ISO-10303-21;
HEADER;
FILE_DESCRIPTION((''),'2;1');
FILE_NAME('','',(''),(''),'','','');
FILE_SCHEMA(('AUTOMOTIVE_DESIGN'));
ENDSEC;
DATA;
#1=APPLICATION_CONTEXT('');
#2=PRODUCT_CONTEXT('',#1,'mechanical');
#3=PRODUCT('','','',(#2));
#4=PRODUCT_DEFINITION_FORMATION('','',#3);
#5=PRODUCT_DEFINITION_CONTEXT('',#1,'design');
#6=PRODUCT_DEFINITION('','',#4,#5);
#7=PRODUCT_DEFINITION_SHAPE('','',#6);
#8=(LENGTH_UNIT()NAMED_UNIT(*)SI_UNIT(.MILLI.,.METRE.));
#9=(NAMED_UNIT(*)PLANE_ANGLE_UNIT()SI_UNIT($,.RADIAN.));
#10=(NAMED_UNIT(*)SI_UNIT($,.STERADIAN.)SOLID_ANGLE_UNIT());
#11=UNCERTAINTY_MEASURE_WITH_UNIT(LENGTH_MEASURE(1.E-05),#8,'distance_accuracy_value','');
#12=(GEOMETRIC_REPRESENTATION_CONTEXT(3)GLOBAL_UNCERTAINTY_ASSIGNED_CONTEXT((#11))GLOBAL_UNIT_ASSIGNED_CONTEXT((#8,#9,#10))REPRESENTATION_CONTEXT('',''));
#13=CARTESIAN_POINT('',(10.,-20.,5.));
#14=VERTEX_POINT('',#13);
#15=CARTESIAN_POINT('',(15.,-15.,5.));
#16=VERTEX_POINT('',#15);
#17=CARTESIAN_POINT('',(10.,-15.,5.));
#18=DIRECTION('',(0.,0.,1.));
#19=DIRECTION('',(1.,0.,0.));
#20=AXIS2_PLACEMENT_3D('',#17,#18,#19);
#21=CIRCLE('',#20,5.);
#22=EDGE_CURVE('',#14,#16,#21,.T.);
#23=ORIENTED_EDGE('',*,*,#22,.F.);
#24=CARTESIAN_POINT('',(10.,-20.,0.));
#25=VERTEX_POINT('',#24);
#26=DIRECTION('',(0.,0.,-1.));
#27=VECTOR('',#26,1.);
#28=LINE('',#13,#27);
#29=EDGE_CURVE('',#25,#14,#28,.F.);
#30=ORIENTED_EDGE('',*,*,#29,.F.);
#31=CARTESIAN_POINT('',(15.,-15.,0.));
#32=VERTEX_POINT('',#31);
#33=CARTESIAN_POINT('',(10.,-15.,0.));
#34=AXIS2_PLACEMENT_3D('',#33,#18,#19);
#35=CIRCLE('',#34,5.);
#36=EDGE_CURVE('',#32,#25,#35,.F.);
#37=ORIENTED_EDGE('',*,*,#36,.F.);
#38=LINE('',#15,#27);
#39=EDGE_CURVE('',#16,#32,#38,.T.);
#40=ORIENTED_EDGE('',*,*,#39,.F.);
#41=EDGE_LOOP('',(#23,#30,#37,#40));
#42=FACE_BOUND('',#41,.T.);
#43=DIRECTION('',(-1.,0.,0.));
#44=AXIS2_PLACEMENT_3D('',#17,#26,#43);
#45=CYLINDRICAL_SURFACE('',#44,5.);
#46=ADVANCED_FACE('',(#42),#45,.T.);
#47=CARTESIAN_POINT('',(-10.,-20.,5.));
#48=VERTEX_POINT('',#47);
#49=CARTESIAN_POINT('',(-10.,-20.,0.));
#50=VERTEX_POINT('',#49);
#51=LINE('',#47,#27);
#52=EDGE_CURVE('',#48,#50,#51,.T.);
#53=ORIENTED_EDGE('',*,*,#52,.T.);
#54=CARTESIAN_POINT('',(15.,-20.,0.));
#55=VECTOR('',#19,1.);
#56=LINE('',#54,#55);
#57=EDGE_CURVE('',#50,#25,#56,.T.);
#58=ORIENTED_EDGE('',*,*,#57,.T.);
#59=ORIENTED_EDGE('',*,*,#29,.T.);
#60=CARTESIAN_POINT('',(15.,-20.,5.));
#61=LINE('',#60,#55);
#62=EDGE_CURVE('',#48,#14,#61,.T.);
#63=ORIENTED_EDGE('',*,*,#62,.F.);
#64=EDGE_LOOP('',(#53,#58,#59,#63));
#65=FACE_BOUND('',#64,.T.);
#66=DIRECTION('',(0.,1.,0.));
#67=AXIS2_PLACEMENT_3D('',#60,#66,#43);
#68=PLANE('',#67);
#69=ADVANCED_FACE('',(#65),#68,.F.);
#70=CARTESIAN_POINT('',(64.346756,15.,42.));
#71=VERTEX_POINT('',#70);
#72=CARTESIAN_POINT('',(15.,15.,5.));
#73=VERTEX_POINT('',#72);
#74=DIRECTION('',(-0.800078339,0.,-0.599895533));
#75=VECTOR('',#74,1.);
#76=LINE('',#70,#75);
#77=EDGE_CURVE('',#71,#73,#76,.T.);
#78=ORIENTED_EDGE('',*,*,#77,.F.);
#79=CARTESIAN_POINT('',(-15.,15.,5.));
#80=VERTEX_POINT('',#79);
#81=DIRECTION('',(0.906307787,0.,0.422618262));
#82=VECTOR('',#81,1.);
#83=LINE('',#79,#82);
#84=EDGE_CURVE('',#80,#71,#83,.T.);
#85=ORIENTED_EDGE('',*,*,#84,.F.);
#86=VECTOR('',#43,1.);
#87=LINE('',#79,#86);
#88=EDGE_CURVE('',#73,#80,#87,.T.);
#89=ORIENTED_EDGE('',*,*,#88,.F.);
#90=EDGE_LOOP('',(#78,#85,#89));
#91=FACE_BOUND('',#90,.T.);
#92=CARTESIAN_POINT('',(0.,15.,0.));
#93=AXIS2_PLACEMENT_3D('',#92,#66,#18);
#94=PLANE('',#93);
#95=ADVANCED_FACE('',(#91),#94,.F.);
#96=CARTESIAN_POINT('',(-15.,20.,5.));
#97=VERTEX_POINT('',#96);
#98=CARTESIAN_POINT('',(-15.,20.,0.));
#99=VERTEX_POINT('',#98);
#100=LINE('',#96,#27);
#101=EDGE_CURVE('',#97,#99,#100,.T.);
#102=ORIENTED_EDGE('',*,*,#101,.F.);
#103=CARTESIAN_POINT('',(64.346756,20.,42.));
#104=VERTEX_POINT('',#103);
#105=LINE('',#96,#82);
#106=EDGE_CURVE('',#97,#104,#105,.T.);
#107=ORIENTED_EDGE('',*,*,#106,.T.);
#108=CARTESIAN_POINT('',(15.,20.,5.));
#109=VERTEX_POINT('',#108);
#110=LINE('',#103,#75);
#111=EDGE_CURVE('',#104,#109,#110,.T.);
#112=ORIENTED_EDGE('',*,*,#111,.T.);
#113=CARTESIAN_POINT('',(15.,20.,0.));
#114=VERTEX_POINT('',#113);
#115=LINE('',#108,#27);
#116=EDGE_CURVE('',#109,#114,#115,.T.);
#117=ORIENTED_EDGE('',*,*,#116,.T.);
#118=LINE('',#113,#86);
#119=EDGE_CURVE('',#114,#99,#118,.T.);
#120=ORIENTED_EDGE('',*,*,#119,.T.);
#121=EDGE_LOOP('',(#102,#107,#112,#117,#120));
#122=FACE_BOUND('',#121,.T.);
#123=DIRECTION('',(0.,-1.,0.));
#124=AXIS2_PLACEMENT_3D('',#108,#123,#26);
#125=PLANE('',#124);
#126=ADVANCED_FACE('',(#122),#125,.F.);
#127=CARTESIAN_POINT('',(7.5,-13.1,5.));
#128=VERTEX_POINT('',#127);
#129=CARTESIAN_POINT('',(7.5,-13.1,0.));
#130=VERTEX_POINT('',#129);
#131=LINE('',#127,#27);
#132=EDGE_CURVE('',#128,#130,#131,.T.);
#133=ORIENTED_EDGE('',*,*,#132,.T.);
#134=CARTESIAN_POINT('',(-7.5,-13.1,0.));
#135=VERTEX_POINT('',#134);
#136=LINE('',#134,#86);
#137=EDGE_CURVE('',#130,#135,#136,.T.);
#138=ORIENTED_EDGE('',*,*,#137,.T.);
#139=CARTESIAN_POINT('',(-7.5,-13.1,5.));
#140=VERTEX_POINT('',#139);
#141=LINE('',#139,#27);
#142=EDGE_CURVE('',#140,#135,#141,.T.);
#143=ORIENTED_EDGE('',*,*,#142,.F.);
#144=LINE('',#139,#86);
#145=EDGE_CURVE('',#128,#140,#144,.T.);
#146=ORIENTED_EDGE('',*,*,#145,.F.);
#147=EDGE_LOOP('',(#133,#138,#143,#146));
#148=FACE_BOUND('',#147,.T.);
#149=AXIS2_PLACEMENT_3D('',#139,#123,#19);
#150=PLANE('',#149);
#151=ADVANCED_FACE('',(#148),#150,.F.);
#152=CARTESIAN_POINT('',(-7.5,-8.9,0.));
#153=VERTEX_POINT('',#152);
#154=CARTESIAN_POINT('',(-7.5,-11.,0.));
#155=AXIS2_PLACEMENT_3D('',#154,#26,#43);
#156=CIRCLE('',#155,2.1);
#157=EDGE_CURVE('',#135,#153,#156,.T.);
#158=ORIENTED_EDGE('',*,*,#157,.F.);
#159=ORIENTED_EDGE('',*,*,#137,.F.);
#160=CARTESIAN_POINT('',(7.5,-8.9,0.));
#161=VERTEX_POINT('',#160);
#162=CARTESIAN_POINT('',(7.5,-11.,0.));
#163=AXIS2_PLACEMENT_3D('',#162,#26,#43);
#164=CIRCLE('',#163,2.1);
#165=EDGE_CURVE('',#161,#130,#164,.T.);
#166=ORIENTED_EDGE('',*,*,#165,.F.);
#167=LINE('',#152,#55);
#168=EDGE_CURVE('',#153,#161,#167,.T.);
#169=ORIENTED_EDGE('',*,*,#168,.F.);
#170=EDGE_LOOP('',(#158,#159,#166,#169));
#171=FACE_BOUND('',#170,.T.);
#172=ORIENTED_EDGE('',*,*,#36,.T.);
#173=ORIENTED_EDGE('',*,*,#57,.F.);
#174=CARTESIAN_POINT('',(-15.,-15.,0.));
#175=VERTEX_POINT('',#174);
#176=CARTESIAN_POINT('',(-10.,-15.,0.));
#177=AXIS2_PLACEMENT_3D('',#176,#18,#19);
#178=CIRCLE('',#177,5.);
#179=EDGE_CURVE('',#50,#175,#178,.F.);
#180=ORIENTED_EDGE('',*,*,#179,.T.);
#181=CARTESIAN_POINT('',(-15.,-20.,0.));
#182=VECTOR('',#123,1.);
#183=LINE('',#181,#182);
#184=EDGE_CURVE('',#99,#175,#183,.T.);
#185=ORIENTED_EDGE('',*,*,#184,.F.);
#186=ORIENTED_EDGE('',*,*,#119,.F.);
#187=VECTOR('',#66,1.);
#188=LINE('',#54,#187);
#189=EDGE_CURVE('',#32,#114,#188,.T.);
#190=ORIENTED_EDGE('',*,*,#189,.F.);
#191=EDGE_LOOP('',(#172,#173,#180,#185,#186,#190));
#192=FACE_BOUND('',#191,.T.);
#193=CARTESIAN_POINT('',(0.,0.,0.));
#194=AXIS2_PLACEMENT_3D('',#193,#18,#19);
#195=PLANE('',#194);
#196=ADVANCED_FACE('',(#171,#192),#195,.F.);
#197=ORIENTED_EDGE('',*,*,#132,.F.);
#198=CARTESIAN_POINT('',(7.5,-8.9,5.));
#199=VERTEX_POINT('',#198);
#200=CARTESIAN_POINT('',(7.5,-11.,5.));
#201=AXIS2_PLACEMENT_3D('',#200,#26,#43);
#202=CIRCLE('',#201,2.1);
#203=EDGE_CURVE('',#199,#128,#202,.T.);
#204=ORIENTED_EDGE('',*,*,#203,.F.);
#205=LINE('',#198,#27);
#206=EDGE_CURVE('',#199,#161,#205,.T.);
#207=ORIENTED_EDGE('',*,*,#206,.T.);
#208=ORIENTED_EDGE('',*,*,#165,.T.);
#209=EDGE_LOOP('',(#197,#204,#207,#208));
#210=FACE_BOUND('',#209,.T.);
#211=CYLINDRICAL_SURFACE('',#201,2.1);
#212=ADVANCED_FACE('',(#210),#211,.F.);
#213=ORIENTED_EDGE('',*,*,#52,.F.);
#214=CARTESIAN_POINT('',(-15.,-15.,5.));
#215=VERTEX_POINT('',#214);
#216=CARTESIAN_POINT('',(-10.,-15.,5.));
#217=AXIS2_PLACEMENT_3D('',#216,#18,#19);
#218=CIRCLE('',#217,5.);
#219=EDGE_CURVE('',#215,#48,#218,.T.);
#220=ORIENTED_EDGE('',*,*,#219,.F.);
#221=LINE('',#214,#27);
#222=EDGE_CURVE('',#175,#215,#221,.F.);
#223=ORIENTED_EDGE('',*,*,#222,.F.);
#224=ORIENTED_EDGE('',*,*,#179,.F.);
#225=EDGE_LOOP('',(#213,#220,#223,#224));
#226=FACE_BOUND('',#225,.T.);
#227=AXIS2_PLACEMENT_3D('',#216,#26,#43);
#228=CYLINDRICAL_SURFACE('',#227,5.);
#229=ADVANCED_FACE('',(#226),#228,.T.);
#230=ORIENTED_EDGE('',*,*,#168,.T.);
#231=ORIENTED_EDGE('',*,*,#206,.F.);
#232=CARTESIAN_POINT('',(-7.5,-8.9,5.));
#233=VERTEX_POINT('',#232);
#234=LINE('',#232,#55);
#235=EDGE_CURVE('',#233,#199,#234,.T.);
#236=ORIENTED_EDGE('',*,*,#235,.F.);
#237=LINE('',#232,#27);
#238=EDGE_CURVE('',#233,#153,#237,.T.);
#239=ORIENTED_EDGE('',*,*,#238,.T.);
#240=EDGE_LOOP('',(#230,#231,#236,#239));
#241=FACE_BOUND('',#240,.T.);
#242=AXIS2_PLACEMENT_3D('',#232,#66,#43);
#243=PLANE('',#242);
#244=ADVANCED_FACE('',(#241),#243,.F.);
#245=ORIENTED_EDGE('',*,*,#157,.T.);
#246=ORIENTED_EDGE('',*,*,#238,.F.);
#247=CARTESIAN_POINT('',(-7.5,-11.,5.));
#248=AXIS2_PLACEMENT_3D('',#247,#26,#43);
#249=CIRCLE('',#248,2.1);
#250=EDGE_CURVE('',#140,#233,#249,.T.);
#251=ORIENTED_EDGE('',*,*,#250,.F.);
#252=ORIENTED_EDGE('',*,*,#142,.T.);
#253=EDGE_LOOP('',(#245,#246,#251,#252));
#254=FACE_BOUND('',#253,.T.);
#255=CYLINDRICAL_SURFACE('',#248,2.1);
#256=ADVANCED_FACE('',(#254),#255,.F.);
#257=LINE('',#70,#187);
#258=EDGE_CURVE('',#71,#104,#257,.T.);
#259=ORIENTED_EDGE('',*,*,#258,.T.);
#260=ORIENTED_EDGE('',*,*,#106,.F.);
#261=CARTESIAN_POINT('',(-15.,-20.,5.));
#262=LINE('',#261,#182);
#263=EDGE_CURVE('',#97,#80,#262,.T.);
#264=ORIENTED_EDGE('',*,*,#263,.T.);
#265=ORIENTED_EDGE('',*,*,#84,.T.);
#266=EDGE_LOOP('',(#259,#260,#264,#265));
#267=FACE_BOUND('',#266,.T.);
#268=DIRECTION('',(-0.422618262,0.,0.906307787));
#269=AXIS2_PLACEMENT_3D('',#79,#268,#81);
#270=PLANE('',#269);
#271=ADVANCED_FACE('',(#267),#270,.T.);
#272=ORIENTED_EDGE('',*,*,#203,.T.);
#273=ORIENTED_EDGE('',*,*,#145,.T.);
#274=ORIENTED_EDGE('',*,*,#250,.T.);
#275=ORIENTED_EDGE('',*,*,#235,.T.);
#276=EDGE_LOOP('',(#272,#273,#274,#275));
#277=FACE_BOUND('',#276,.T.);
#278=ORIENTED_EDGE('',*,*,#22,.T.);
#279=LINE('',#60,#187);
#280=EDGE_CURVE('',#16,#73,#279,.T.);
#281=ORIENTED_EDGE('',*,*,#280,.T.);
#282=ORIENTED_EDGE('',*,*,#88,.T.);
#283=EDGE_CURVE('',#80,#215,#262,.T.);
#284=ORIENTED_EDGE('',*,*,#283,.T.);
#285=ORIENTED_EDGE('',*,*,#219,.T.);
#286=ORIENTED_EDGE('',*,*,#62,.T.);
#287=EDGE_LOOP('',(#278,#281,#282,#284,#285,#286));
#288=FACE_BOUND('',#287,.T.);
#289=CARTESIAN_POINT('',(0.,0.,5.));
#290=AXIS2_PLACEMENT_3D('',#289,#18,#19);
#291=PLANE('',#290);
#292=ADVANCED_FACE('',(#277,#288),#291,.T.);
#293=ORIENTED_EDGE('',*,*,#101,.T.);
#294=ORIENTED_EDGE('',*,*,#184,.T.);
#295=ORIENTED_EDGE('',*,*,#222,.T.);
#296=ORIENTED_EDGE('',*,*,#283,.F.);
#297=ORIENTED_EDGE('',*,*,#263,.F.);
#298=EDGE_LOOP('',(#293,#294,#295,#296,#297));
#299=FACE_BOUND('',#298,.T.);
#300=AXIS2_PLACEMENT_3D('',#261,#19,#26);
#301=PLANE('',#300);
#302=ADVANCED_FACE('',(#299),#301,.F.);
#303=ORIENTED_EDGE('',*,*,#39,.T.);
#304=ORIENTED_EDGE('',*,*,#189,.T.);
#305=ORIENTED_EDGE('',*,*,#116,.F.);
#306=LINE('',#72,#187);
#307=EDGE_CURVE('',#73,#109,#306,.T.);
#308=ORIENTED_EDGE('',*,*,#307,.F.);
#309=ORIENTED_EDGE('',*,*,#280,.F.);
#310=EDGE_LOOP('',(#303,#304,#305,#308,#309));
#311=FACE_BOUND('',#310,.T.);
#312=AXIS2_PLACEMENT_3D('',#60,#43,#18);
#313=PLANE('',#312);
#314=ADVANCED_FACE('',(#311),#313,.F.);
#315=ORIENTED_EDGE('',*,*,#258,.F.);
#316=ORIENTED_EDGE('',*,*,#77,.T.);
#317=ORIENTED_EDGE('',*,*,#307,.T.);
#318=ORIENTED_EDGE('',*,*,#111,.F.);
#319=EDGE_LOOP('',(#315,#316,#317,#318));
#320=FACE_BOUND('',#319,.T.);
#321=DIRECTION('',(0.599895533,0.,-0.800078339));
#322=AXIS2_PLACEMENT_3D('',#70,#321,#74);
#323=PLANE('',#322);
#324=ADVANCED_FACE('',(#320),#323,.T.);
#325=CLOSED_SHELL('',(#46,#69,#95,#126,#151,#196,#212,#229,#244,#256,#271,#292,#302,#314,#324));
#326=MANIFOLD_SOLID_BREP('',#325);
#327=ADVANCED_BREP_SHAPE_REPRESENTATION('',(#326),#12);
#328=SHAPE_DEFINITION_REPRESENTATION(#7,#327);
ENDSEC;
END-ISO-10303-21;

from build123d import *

# Parameters (mm, degrees)
SKETCH1_W           = 30
SKETCH1_H           = 40
BOSS_EXTRUDE1_DEPTH = 5
BOSS_EXTRUDE2_DEPTH = 5
FILLET1_R           = 5
CUT_EXTRUDE1_DEPTH  = 5


with BuildPart() as part:
    # Sketch1 → Boss-Extrude1 (new body)
    with BuildSketch(Plane.XY):
        Rectangle(SKETCH1_W, SKETCH1_H)
    extrude(amount=BOSS_EXTRUDE1_DEPTH)

    # Sketch2 → Boss-Extrude2 (add)
    with BuildSketch(Plane(origin=(0, 20, 0), x_dir=(1, 0, 0), z_dir=(0, 1, 0))):
        Polygon((-15, -5), (64.346756059, -42), (15, -5), align=None)
    extrude(amount=-BOSS_EXTRUDE2_DEPTH)

    # Fillet1
    fillet1_edges = [part.edges().sort_by_distance(p)[0] for p in [
        (15, -20, 2.5),
        (-15, -20, 2.5),
    ]]
    fillet(fillet1_edges, radius=FILLET1_R)

    # Sketch3 → Cut-Extrude1 (cut)
    with BuildSketch(Plane(origin=(0, 0, 0), x_dir=(-1, 0, 0), z_dir=(0, 0, -1))):
        with BuildLine():
            Line((7.5, -13.1), (-7.5, -13.1))
            ThreePointArc((-7.5, -13.1), (-9.6, -11), (-7.5, -8.9))
            Line((-7.5, -8.9), (7.5, -8.9))
            ThreePointArc((7.5, -8.9), (9.6, -11), (7.5, -13.1))
        make_face()
    extrude(amount=-CUT_EXTRUDE1_DEPTH, mode=Mode.SUBTRACT)


solid = part.part
